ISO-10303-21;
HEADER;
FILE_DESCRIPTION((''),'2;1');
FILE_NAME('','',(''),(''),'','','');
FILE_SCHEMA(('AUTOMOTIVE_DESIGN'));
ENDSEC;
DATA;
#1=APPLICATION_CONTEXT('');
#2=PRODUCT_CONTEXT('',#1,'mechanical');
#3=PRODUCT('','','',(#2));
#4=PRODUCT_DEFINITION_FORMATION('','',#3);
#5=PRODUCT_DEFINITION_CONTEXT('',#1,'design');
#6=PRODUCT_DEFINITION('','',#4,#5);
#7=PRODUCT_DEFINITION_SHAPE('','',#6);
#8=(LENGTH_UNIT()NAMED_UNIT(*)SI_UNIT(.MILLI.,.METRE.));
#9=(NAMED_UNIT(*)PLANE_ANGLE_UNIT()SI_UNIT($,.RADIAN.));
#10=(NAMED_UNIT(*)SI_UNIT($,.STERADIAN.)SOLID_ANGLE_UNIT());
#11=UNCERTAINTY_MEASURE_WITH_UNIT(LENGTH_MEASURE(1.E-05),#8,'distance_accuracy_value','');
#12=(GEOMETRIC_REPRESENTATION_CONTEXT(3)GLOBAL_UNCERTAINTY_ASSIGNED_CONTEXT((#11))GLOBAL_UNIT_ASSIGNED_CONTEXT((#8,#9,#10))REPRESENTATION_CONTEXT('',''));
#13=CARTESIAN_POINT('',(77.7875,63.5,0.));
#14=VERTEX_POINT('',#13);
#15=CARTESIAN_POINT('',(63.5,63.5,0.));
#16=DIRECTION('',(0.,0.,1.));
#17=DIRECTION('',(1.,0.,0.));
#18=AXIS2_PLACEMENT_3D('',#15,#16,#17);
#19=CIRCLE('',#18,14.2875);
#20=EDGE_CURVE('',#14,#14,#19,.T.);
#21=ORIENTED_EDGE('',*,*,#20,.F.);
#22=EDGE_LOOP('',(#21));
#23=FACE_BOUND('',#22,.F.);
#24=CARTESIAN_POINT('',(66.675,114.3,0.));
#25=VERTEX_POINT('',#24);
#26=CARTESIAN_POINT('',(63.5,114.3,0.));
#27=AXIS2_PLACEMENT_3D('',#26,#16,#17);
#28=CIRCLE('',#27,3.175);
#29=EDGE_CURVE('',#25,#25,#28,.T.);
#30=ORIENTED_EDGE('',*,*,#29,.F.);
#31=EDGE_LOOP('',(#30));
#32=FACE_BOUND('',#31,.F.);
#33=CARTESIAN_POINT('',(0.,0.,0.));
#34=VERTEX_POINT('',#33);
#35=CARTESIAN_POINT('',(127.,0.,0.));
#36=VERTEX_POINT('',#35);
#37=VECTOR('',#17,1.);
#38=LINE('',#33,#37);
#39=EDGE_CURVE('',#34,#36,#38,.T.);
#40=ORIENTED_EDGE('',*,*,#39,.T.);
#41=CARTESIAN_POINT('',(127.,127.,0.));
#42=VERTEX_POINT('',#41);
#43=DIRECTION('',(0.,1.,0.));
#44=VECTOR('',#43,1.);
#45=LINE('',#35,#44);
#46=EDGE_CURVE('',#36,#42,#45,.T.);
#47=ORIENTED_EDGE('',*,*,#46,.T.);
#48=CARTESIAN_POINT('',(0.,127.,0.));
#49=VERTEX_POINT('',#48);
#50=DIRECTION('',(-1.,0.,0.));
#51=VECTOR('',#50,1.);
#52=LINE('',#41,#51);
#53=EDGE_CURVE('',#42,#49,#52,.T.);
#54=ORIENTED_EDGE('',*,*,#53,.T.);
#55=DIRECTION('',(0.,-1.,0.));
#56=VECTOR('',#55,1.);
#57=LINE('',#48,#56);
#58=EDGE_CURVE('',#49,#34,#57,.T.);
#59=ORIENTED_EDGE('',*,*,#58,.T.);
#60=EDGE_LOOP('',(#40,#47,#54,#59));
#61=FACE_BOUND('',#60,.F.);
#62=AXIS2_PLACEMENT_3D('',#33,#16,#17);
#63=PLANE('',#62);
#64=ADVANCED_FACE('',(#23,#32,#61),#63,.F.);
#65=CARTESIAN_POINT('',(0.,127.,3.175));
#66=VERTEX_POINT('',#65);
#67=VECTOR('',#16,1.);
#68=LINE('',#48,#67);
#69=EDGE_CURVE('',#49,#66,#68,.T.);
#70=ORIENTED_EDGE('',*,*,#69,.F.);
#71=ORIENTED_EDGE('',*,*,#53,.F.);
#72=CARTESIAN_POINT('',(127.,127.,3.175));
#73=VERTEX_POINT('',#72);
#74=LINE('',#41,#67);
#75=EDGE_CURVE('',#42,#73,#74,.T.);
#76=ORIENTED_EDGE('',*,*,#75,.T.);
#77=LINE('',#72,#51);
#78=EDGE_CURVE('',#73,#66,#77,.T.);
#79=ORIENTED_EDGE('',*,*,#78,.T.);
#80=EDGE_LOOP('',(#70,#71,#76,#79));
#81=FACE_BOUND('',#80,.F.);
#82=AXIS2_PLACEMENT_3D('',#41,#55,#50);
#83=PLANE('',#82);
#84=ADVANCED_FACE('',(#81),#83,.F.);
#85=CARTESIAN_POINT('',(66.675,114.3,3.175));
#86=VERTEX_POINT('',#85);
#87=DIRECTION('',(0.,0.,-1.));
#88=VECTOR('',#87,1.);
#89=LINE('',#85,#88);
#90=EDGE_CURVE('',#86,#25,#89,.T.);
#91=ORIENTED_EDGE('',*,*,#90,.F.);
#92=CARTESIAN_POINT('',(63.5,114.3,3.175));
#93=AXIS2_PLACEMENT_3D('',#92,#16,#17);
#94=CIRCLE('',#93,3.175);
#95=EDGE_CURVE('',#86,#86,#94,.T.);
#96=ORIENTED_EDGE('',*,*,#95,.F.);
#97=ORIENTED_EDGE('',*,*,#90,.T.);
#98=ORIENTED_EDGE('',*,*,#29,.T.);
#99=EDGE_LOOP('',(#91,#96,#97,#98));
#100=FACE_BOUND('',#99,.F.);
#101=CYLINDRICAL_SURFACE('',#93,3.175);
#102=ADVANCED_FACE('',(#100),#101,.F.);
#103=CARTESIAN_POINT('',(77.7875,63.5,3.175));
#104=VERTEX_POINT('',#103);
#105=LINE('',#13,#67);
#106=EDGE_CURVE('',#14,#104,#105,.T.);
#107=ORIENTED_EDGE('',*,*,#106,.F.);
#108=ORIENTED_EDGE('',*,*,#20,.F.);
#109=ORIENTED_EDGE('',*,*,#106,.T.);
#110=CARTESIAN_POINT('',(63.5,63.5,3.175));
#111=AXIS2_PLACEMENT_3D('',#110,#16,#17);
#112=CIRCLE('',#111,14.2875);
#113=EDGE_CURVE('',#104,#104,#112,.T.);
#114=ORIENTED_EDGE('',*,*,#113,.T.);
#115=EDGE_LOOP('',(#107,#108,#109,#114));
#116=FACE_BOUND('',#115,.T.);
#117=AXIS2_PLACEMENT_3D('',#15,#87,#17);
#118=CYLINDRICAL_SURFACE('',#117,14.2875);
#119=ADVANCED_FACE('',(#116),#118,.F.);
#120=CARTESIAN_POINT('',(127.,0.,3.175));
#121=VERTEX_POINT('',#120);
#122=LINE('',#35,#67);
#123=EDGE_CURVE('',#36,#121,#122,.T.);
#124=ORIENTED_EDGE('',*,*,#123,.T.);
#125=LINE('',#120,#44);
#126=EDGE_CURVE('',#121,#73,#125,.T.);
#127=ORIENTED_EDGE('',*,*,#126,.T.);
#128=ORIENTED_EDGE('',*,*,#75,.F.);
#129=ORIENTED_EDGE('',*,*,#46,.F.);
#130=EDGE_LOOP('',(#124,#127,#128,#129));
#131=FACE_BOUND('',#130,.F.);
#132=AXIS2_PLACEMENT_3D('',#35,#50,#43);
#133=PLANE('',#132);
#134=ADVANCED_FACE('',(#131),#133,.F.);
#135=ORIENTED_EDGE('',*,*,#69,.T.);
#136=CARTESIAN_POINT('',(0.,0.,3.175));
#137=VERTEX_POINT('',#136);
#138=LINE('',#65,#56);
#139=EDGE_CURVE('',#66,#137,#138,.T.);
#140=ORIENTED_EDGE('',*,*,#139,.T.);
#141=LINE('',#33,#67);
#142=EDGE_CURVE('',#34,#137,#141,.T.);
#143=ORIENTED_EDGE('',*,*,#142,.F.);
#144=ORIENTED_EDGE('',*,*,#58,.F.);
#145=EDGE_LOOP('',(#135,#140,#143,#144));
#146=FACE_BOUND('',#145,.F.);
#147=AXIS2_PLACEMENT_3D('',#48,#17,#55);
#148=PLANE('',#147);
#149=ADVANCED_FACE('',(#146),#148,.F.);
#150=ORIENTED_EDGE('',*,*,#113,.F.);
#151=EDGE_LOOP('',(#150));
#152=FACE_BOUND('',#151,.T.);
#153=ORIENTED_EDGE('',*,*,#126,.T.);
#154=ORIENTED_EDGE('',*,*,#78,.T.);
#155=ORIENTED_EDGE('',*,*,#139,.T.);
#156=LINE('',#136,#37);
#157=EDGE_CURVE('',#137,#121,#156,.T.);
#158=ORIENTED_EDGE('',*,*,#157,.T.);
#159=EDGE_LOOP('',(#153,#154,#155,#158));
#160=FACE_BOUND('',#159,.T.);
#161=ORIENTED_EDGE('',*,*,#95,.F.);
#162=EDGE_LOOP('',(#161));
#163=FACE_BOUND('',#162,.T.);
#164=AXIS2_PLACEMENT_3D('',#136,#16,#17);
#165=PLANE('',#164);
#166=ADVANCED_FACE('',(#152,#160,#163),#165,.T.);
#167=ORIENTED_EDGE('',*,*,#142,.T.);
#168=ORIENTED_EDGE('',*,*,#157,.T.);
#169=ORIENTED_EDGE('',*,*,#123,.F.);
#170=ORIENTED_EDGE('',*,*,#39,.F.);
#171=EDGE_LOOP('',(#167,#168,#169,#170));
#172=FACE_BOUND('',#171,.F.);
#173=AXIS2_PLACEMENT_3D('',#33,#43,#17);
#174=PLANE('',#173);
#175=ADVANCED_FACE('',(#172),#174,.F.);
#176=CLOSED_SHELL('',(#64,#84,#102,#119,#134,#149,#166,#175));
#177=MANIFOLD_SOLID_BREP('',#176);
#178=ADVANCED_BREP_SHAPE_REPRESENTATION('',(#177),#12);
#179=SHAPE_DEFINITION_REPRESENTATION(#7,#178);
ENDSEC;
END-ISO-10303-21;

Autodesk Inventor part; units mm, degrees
ref_plane "YZ Plane" through (0, 0, 0) normal (1, 0, 0) x (0, 1, 0)
ref_plane "XZ Plane" through (0, 0, 0) normal (0, 1, 0) x (-1, 0, 0)
ref_plane "XY Plane" through (0, 0, 0) normal (0, 0, 1) x (1, 0, 0)
sketch "Sketch1" plane through (0, 0, 0) normal (0, 0, 1) x (1, 0, 0)
  line L0 (0, 0) -> (127, 0)
  line L1 (127, 0) -> (127, 127)
  line L2 (127, 127) -> (0, 127)
  line L3 (0, 127) -> (0, 0)
  circle A0 centre (63.5, 63.5) radius 14.2875
  dimension "d0" = 127
  dimension "d1" = 127
  dimension "d2" = 28.575
extrude "Extrusion1" add sketch "Sketch1" along normal blind 3.175
sketch "Sketch2" plane through (0, 0, 3.175) normal (0, 0, 1) x (1, 0, 0)
  circle A0 centre (63.5, 114.3) radius 3.175
  line L0 (0, 127) -> (0, 0) projected
  line L1 (127, 127) -> (0, 127) projected
  dimension "d5" = 6.35
  dimension "d6" = 63.5
  dimension "d7" = 12.7
extrude "Extrusion2" cut sketch "Sketch2" against normal blind 3.175
properties part number "TestPlate"
